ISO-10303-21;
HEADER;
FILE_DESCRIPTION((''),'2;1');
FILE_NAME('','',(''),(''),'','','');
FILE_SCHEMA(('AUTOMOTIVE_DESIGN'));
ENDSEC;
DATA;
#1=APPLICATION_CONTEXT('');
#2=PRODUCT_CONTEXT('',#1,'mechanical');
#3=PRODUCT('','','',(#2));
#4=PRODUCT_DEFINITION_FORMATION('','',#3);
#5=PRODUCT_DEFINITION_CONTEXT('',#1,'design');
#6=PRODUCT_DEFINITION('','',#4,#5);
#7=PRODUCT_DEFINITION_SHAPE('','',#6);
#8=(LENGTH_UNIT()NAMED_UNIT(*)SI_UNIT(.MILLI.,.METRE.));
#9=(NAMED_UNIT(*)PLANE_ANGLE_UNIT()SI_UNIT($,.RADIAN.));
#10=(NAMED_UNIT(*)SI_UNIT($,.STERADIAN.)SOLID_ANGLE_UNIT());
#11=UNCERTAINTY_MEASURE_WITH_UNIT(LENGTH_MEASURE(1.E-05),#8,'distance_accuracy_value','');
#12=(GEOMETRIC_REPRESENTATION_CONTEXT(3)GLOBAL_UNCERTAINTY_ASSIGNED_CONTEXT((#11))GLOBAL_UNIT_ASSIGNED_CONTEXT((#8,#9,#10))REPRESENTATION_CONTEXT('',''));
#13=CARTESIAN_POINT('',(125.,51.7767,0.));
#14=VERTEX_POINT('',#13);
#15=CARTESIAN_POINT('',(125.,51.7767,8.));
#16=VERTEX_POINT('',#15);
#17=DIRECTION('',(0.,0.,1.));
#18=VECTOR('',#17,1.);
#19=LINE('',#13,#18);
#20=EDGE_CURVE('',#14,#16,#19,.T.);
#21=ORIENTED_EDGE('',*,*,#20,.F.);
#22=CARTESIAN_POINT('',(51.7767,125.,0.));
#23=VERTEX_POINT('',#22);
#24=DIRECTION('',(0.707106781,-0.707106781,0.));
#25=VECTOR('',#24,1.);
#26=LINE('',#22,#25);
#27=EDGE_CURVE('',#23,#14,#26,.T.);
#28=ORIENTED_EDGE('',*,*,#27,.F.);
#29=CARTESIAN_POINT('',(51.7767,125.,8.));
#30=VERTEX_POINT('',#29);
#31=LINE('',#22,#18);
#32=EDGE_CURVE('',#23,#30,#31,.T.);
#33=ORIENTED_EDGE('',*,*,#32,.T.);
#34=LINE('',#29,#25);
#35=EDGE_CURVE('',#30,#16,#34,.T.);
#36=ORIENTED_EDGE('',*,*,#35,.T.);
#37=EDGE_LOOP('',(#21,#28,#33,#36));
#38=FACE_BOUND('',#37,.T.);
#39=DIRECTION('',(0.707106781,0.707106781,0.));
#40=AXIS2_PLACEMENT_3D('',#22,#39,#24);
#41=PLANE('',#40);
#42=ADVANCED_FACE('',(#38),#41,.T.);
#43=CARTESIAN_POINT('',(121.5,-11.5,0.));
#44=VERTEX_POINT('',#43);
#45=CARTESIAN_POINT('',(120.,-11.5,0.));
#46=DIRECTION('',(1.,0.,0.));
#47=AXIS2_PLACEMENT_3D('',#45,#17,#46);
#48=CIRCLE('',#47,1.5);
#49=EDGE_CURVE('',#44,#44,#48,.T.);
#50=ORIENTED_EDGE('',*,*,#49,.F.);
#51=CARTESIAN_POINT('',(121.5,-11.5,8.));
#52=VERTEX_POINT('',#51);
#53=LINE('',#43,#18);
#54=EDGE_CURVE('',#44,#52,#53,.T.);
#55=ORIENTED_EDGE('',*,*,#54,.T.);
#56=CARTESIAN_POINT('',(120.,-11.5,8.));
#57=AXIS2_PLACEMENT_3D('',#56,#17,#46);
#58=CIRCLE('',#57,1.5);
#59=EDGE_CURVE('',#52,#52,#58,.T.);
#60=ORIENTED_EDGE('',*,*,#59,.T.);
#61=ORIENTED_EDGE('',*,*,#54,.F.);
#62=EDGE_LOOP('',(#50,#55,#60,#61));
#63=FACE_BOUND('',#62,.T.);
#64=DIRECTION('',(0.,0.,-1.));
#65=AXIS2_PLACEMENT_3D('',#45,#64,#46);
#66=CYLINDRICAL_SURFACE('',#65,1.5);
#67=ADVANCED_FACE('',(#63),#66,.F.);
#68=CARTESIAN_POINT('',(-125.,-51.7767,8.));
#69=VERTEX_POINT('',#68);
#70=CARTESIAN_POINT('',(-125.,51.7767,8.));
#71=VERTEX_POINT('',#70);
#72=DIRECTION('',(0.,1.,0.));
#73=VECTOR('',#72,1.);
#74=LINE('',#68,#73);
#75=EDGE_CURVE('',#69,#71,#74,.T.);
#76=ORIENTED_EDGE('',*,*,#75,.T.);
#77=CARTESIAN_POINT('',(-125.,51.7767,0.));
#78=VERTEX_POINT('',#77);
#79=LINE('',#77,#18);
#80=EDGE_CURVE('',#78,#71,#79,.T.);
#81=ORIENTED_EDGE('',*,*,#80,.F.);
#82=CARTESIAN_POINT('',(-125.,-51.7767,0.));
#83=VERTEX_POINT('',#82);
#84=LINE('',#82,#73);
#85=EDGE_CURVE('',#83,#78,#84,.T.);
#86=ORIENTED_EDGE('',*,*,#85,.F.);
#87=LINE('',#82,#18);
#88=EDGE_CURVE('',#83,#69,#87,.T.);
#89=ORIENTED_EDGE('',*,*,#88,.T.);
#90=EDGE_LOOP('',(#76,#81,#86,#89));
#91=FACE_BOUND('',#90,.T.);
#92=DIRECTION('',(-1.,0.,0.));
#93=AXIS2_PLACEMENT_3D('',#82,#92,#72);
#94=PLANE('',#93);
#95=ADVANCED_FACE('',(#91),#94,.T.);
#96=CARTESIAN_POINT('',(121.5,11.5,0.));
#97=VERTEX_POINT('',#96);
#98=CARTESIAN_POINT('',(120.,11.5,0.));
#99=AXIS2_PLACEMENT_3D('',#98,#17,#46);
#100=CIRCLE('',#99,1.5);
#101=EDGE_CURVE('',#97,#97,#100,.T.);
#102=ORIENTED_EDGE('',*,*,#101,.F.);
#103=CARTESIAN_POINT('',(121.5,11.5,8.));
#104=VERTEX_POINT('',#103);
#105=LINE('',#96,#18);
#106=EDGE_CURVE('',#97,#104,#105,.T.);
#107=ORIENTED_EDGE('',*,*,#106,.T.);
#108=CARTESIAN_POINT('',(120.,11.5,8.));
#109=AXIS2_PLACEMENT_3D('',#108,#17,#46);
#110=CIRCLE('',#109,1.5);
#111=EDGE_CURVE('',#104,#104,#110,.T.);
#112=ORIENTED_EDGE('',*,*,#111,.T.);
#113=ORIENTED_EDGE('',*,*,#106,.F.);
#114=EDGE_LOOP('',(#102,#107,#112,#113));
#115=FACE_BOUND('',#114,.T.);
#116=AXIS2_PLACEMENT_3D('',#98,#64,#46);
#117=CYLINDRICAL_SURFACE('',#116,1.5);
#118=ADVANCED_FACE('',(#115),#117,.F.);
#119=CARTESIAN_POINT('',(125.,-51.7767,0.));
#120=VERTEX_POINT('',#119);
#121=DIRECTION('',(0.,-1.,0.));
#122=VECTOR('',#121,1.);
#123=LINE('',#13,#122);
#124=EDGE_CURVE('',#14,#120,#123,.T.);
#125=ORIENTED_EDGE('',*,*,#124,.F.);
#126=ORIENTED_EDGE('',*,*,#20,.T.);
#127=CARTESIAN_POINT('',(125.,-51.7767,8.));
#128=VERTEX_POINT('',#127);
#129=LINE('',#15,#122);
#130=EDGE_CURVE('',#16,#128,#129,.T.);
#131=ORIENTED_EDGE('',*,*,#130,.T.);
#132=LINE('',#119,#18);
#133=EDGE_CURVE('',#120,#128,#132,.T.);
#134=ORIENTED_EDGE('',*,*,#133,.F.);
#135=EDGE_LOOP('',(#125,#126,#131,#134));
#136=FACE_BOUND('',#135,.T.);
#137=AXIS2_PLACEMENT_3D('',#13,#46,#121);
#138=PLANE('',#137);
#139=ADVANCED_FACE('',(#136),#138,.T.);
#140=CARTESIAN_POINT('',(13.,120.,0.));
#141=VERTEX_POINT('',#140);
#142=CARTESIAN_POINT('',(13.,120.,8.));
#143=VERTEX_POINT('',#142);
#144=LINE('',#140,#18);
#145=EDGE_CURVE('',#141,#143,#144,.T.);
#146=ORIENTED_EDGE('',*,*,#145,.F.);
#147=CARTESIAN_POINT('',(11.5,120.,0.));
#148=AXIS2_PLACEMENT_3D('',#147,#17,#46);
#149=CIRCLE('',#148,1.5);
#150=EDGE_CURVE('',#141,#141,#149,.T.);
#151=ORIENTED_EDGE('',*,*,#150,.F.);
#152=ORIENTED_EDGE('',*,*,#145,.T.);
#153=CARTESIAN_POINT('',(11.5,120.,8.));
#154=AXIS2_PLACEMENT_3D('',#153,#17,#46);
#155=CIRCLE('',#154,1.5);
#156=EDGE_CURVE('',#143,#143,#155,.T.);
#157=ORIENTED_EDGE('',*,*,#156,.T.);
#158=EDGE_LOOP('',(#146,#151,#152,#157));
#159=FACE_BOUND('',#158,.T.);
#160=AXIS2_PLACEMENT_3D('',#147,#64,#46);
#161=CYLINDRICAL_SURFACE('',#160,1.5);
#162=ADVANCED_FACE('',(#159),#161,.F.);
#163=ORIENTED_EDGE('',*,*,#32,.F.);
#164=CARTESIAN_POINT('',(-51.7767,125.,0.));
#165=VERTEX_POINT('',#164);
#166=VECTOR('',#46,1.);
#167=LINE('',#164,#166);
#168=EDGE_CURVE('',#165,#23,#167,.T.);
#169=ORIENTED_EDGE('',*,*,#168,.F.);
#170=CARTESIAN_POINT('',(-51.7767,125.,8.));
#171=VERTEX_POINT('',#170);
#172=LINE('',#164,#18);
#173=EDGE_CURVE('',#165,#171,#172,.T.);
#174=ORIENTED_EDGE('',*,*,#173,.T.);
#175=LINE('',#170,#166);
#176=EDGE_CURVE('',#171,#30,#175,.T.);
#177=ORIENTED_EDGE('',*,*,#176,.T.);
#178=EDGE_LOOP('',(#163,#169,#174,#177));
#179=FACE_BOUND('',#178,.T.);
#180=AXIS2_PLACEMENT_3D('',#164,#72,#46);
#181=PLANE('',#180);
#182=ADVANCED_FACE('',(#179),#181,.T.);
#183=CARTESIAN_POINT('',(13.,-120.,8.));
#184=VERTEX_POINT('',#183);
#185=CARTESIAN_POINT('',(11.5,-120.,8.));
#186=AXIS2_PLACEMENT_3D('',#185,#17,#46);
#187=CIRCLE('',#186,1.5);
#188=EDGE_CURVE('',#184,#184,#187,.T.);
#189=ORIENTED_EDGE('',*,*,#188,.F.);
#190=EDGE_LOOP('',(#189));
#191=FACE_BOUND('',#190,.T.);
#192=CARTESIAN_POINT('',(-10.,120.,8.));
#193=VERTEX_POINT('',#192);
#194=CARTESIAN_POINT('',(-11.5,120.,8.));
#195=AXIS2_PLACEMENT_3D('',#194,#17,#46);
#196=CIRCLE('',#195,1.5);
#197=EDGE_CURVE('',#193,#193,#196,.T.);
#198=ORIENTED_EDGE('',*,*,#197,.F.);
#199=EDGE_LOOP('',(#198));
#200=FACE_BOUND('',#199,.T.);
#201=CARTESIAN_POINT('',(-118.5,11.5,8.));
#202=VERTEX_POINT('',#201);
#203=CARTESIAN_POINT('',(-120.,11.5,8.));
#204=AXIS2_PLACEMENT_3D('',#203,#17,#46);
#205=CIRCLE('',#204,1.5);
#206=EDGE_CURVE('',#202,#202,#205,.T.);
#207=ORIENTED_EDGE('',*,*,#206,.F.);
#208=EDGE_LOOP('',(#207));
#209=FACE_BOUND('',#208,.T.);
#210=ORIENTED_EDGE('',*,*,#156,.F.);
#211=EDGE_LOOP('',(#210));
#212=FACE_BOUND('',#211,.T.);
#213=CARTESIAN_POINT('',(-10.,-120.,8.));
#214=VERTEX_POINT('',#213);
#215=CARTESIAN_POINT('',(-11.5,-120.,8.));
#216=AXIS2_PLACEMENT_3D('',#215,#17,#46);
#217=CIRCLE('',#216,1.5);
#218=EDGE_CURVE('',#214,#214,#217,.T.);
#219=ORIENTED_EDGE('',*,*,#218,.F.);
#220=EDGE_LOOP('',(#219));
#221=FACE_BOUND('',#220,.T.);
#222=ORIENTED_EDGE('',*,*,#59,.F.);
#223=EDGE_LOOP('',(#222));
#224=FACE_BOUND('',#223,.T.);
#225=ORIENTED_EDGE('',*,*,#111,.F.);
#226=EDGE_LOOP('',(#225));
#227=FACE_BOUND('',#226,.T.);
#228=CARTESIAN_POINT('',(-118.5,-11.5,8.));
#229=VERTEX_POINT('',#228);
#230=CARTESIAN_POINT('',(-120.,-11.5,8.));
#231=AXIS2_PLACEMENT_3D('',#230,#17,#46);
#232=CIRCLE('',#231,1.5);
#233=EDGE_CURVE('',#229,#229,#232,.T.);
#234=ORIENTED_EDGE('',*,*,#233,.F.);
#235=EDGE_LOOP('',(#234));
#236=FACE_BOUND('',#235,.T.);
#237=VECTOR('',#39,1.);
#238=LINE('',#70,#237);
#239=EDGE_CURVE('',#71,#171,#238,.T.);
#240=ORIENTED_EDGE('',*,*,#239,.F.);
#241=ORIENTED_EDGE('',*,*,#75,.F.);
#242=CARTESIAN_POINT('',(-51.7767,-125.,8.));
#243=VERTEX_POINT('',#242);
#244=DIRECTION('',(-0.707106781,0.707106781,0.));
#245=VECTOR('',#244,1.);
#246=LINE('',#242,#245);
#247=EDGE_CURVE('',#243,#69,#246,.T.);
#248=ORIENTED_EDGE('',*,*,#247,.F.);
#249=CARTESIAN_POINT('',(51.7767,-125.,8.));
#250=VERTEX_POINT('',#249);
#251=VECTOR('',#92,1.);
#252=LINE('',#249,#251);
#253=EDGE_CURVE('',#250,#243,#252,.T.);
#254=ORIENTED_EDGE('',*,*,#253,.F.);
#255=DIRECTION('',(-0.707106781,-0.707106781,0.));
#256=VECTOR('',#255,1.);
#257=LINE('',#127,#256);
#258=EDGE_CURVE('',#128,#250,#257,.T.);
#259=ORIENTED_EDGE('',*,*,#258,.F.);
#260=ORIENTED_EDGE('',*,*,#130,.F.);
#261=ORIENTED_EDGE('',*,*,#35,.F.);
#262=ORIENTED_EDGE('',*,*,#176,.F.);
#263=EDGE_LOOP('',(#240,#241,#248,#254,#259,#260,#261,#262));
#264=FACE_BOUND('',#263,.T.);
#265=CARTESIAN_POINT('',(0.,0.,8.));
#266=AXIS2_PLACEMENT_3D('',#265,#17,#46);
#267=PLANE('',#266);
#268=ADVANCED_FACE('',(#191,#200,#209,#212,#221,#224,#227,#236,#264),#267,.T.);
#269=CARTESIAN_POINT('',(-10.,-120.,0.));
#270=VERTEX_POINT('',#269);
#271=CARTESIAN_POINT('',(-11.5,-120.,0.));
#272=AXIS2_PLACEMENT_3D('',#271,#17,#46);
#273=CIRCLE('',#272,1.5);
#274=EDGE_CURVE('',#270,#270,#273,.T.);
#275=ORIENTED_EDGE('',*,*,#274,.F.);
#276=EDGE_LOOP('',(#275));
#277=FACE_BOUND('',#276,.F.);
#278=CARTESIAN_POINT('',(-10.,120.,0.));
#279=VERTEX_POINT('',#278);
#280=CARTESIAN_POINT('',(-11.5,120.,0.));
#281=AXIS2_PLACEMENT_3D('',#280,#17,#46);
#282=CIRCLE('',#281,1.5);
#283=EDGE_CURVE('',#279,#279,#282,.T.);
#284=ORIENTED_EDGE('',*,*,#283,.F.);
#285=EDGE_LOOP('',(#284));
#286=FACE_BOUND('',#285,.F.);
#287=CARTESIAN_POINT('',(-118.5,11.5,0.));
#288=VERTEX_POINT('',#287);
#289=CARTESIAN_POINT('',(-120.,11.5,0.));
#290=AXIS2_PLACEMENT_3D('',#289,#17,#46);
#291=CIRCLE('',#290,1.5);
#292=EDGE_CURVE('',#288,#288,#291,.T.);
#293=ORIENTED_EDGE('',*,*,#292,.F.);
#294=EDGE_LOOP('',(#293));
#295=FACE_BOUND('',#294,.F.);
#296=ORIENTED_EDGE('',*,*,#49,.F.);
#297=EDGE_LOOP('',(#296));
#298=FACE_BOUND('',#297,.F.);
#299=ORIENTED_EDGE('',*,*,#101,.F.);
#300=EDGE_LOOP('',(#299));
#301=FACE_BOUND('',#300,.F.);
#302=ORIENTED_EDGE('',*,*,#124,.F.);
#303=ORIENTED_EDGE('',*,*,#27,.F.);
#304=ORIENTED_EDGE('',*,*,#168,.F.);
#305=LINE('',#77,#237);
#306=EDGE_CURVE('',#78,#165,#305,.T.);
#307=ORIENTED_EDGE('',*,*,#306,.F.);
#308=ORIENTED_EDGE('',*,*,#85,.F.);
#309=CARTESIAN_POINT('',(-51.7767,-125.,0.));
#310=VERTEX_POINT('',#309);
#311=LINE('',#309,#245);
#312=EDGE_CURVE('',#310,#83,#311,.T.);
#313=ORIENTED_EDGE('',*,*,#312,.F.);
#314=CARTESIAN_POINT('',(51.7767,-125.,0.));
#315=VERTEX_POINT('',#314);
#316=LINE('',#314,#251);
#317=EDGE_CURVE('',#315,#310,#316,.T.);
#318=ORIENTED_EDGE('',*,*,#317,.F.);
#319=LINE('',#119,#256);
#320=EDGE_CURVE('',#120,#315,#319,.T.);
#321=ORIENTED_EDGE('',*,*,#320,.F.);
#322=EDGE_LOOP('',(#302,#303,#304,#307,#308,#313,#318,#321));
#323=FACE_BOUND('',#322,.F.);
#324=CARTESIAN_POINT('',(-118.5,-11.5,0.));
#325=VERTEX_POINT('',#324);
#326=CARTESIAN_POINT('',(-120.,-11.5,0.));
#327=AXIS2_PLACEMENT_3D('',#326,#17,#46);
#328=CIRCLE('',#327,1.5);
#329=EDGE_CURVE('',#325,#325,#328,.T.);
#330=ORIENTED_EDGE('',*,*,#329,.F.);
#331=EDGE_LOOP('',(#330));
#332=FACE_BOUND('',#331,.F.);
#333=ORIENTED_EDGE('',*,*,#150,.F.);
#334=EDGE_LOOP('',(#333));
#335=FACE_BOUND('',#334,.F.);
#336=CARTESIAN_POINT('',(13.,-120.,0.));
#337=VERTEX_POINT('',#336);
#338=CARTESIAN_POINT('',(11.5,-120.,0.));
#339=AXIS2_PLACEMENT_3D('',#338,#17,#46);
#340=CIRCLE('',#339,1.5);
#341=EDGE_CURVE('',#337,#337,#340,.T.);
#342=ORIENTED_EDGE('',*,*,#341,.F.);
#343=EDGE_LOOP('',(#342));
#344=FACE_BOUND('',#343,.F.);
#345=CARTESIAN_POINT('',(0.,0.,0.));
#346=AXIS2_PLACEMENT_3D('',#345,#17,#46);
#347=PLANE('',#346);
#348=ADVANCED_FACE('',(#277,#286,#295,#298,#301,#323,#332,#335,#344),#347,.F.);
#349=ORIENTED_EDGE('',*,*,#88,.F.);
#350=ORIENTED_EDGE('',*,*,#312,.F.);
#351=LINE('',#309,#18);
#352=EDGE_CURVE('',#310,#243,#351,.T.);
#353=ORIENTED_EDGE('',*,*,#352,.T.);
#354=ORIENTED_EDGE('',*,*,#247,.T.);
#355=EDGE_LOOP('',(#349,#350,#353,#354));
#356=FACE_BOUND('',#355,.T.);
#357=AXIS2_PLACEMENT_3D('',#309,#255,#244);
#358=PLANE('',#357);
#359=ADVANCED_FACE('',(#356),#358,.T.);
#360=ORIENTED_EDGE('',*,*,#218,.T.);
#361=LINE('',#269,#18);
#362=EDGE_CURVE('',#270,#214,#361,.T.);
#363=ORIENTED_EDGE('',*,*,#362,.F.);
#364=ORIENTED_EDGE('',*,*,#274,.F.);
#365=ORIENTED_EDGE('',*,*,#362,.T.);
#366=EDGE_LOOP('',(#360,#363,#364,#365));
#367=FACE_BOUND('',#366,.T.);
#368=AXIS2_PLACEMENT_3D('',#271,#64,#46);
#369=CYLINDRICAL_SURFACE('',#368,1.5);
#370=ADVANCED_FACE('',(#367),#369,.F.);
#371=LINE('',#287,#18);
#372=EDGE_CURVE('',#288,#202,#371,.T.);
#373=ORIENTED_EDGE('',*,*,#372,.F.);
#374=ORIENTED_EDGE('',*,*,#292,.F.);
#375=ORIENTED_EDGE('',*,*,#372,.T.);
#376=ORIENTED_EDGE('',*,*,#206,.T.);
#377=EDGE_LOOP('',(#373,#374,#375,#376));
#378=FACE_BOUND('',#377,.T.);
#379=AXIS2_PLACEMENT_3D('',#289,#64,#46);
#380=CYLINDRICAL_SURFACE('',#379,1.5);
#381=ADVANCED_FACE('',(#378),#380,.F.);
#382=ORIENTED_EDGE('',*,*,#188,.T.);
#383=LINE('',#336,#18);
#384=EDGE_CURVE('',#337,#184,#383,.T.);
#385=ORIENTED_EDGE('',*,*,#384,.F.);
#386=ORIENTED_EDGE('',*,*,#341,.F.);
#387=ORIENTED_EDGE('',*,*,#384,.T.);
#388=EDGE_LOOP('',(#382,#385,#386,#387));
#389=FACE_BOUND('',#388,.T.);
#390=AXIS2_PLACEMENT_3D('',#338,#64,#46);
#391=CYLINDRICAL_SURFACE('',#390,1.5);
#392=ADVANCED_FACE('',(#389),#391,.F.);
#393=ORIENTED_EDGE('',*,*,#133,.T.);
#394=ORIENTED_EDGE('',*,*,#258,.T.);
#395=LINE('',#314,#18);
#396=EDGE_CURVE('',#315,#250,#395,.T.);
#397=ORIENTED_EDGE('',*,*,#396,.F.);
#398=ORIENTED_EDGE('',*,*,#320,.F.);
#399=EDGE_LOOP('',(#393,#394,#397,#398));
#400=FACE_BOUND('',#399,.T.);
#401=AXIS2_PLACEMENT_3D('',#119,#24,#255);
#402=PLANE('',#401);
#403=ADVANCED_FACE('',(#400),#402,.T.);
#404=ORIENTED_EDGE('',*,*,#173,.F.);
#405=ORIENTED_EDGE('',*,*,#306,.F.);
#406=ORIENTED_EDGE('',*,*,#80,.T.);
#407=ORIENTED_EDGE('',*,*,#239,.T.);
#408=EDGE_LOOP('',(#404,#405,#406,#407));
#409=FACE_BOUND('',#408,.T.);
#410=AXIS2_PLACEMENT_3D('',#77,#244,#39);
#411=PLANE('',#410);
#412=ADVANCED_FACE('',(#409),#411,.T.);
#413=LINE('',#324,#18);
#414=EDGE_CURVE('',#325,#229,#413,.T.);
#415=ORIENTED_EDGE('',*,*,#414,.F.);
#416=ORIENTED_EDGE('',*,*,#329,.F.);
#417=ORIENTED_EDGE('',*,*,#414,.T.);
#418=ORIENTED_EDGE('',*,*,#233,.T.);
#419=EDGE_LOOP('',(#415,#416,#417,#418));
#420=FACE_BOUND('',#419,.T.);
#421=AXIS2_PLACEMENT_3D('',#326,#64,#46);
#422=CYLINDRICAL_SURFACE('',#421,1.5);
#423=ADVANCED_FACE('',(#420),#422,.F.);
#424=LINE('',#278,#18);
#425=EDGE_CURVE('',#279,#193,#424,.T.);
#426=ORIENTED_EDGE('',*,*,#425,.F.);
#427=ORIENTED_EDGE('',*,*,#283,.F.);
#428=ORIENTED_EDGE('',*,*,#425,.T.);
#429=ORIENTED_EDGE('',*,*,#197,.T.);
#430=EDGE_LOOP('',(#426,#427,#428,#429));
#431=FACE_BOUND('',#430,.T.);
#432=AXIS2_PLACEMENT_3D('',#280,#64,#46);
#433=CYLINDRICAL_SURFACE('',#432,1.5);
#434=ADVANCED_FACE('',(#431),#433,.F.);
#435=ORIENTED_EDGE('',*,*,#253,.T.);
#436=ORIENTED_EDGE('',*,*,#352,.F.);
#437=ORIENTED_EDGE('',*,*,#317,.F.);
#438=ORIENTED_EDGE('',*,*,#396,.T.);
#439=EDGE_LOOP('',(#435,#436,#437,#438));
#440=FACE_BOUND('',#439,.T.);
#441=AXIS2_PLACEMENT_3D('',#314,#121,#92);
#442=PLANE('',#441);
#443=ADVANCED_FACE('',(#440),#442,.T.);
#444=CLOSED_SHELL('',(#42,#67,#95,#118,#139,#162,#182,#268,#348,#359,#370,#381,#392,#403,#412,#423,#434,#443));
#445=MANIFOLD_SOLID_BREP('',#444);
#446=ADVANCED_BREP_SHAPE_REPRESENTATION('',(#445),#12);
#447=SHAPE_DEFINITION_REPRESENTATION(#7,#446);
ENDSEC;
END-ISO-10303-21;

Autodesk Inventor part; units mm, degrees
ref_plane "YZ Plane" through (0, 0, 0) normal (1, 0, 0) x (0, 1, 0)
ref_plane "XZ Plane" through (0, 0, 0) normal (0, 1, 0) x (-1, 0, 0)
ref_plane "XY Plane" through (0, 0, 0) normal (0, 0, 1) x (1, 0, 0)
sketch "Sketch1" plane through (0, 0, 0) normal (0, 0, 1) x (1, 0, 0)
  line L0 (-51.7767, -125) -> (-125, -51.7767)
  line L1 (-125, -51.7767) -> (-125, 51.7767)
  line L2 (-125, 51.7767) -> (-51.7767, 125)
  line L3 (-51.7767, 125) -> (51.7767, 125)
  line L4 (51.7767, 125) -> (125, 51.7767)
  line L5 (125, 51.7767) -> (125, -51.7767)
  line L6 (125, -51.7767) -> (51.7767, -125)
  line L7 (51.7767, -125) -> (-51.7767, -125)
  circle A0 centre (11.5, -120) radius 1.5
  circle A1 centre (-11.5, -120) radius 1.5
  circle A2 centre (120, 11.5) radius 1.5
  circle A3 centre (120, -11.5) radius 1.5
  circle A4 centre (-11.5, 120) radius 1.5
  circle A5 centre (11.5, 120) radius 1.5
  circle A6 centre (-120, -11.5) radius 1.5
  circle A7 centre (-120, 11.5) radius 1.5
  point P0 (0, 0)
  point P1 (0, 0)
  dimension "d0" = 250
  dimension "d1" = 3
  dimension "d2" = 3
  dimension "d3" = 5
  dimension "d4" = 5
  dimension "d5" = 11.5
  dimension "d6" = 11.5
  dimension "d9" = 360
extrude "Extrusion1" add sketch "Sketch1" along normal blind 8
sketch "dm" plane through (0, 0, 8) normal (0, 0, 1) x (1, 0, 0)
  line L0 (-37.5, 37.5) -> (37.5, 37.5) construction
  line L1 (37.5, 37.5) -> (37.5, -37.5) construction
  line L2 (37.5, -37.5) -> (-37.5, -37.5) construction
  line L3 (-37.5, -37.5) -> (-37.5, 37.5) construction
  line L4 (-125.8266, 126.5) -> (127.1734, 126.5)
  line L5 (127.1734, 126.5) -> (127.1734, -126.5)
  line L6 (127.1734, -126.5) -> (-125.8266, -126.5)
  line L7 (-125.8266, -126.5) -> (-125.8266, 126.5)
  line L8 (-125.8266, 126.5) -> (127.1734, -126.5) construction
  line L9 (127.1734, 126.5) -> (-125.8266, -126.5) construction
  point P0 (0, 0)
  point P1 (0.6734, 0)
  dimension "d14" = 75
  dimension "d31" = 253
  dimension "d32" = 253
  dimension "d35" = 37.5
  dimension "d36" = 37.5
  dimension "d44" = 37.5
decal "Decal1"
sketch "Sketch3" plane through (0, 0, 8) normal (0, 0, 1) x (1, 0, 0)
  line L0 (51.7767, -125) -> (125, -51.7767) projected
  line L1 (125, -51.7767) -> (125, 51.7767) projected
  line L2 (125, 51.7767) -> (51.7767, 125) projected
  line L3 (51.7767, 125) -> (-51.7767, 125) projected
  line L4 (-51.7767, 125) -> (-125, 51.7767) projected
  line L5 (-125, 51.7767) -> (-125, -51.7767) projected
  line L6 (-125, -51.7767) -> (-51.7767, -125) projected
  line L7 (-51.7767, -125) -> (51.7767, -125) projected
  circle A0 centre (-120, 11.5) radius 1.5 projected
  circle A1 centre (-120, -11.5) radius 1.5 projected
  circle A2 centre (11.5, 120) radius 1.5 projected
  circle A3 centre (-11.5, 120) radius 1.5 projected
  circle A4 centre (120, -11.5) radius 1.5 projected
  circle A5 centre (120, 11.5) radius 1.5 projected
  circle A6 centre (-11.5, -120) radius 1.5 projected
  circle A7 centre (11.5, -120) radius 1.5 projected
  point P0 (0, 0)
equation "\"d4\" = d3"
equation "\"d6\" = d5"
properties part number "Plate_Acrylic" material "Polycarbonate, Clear"
